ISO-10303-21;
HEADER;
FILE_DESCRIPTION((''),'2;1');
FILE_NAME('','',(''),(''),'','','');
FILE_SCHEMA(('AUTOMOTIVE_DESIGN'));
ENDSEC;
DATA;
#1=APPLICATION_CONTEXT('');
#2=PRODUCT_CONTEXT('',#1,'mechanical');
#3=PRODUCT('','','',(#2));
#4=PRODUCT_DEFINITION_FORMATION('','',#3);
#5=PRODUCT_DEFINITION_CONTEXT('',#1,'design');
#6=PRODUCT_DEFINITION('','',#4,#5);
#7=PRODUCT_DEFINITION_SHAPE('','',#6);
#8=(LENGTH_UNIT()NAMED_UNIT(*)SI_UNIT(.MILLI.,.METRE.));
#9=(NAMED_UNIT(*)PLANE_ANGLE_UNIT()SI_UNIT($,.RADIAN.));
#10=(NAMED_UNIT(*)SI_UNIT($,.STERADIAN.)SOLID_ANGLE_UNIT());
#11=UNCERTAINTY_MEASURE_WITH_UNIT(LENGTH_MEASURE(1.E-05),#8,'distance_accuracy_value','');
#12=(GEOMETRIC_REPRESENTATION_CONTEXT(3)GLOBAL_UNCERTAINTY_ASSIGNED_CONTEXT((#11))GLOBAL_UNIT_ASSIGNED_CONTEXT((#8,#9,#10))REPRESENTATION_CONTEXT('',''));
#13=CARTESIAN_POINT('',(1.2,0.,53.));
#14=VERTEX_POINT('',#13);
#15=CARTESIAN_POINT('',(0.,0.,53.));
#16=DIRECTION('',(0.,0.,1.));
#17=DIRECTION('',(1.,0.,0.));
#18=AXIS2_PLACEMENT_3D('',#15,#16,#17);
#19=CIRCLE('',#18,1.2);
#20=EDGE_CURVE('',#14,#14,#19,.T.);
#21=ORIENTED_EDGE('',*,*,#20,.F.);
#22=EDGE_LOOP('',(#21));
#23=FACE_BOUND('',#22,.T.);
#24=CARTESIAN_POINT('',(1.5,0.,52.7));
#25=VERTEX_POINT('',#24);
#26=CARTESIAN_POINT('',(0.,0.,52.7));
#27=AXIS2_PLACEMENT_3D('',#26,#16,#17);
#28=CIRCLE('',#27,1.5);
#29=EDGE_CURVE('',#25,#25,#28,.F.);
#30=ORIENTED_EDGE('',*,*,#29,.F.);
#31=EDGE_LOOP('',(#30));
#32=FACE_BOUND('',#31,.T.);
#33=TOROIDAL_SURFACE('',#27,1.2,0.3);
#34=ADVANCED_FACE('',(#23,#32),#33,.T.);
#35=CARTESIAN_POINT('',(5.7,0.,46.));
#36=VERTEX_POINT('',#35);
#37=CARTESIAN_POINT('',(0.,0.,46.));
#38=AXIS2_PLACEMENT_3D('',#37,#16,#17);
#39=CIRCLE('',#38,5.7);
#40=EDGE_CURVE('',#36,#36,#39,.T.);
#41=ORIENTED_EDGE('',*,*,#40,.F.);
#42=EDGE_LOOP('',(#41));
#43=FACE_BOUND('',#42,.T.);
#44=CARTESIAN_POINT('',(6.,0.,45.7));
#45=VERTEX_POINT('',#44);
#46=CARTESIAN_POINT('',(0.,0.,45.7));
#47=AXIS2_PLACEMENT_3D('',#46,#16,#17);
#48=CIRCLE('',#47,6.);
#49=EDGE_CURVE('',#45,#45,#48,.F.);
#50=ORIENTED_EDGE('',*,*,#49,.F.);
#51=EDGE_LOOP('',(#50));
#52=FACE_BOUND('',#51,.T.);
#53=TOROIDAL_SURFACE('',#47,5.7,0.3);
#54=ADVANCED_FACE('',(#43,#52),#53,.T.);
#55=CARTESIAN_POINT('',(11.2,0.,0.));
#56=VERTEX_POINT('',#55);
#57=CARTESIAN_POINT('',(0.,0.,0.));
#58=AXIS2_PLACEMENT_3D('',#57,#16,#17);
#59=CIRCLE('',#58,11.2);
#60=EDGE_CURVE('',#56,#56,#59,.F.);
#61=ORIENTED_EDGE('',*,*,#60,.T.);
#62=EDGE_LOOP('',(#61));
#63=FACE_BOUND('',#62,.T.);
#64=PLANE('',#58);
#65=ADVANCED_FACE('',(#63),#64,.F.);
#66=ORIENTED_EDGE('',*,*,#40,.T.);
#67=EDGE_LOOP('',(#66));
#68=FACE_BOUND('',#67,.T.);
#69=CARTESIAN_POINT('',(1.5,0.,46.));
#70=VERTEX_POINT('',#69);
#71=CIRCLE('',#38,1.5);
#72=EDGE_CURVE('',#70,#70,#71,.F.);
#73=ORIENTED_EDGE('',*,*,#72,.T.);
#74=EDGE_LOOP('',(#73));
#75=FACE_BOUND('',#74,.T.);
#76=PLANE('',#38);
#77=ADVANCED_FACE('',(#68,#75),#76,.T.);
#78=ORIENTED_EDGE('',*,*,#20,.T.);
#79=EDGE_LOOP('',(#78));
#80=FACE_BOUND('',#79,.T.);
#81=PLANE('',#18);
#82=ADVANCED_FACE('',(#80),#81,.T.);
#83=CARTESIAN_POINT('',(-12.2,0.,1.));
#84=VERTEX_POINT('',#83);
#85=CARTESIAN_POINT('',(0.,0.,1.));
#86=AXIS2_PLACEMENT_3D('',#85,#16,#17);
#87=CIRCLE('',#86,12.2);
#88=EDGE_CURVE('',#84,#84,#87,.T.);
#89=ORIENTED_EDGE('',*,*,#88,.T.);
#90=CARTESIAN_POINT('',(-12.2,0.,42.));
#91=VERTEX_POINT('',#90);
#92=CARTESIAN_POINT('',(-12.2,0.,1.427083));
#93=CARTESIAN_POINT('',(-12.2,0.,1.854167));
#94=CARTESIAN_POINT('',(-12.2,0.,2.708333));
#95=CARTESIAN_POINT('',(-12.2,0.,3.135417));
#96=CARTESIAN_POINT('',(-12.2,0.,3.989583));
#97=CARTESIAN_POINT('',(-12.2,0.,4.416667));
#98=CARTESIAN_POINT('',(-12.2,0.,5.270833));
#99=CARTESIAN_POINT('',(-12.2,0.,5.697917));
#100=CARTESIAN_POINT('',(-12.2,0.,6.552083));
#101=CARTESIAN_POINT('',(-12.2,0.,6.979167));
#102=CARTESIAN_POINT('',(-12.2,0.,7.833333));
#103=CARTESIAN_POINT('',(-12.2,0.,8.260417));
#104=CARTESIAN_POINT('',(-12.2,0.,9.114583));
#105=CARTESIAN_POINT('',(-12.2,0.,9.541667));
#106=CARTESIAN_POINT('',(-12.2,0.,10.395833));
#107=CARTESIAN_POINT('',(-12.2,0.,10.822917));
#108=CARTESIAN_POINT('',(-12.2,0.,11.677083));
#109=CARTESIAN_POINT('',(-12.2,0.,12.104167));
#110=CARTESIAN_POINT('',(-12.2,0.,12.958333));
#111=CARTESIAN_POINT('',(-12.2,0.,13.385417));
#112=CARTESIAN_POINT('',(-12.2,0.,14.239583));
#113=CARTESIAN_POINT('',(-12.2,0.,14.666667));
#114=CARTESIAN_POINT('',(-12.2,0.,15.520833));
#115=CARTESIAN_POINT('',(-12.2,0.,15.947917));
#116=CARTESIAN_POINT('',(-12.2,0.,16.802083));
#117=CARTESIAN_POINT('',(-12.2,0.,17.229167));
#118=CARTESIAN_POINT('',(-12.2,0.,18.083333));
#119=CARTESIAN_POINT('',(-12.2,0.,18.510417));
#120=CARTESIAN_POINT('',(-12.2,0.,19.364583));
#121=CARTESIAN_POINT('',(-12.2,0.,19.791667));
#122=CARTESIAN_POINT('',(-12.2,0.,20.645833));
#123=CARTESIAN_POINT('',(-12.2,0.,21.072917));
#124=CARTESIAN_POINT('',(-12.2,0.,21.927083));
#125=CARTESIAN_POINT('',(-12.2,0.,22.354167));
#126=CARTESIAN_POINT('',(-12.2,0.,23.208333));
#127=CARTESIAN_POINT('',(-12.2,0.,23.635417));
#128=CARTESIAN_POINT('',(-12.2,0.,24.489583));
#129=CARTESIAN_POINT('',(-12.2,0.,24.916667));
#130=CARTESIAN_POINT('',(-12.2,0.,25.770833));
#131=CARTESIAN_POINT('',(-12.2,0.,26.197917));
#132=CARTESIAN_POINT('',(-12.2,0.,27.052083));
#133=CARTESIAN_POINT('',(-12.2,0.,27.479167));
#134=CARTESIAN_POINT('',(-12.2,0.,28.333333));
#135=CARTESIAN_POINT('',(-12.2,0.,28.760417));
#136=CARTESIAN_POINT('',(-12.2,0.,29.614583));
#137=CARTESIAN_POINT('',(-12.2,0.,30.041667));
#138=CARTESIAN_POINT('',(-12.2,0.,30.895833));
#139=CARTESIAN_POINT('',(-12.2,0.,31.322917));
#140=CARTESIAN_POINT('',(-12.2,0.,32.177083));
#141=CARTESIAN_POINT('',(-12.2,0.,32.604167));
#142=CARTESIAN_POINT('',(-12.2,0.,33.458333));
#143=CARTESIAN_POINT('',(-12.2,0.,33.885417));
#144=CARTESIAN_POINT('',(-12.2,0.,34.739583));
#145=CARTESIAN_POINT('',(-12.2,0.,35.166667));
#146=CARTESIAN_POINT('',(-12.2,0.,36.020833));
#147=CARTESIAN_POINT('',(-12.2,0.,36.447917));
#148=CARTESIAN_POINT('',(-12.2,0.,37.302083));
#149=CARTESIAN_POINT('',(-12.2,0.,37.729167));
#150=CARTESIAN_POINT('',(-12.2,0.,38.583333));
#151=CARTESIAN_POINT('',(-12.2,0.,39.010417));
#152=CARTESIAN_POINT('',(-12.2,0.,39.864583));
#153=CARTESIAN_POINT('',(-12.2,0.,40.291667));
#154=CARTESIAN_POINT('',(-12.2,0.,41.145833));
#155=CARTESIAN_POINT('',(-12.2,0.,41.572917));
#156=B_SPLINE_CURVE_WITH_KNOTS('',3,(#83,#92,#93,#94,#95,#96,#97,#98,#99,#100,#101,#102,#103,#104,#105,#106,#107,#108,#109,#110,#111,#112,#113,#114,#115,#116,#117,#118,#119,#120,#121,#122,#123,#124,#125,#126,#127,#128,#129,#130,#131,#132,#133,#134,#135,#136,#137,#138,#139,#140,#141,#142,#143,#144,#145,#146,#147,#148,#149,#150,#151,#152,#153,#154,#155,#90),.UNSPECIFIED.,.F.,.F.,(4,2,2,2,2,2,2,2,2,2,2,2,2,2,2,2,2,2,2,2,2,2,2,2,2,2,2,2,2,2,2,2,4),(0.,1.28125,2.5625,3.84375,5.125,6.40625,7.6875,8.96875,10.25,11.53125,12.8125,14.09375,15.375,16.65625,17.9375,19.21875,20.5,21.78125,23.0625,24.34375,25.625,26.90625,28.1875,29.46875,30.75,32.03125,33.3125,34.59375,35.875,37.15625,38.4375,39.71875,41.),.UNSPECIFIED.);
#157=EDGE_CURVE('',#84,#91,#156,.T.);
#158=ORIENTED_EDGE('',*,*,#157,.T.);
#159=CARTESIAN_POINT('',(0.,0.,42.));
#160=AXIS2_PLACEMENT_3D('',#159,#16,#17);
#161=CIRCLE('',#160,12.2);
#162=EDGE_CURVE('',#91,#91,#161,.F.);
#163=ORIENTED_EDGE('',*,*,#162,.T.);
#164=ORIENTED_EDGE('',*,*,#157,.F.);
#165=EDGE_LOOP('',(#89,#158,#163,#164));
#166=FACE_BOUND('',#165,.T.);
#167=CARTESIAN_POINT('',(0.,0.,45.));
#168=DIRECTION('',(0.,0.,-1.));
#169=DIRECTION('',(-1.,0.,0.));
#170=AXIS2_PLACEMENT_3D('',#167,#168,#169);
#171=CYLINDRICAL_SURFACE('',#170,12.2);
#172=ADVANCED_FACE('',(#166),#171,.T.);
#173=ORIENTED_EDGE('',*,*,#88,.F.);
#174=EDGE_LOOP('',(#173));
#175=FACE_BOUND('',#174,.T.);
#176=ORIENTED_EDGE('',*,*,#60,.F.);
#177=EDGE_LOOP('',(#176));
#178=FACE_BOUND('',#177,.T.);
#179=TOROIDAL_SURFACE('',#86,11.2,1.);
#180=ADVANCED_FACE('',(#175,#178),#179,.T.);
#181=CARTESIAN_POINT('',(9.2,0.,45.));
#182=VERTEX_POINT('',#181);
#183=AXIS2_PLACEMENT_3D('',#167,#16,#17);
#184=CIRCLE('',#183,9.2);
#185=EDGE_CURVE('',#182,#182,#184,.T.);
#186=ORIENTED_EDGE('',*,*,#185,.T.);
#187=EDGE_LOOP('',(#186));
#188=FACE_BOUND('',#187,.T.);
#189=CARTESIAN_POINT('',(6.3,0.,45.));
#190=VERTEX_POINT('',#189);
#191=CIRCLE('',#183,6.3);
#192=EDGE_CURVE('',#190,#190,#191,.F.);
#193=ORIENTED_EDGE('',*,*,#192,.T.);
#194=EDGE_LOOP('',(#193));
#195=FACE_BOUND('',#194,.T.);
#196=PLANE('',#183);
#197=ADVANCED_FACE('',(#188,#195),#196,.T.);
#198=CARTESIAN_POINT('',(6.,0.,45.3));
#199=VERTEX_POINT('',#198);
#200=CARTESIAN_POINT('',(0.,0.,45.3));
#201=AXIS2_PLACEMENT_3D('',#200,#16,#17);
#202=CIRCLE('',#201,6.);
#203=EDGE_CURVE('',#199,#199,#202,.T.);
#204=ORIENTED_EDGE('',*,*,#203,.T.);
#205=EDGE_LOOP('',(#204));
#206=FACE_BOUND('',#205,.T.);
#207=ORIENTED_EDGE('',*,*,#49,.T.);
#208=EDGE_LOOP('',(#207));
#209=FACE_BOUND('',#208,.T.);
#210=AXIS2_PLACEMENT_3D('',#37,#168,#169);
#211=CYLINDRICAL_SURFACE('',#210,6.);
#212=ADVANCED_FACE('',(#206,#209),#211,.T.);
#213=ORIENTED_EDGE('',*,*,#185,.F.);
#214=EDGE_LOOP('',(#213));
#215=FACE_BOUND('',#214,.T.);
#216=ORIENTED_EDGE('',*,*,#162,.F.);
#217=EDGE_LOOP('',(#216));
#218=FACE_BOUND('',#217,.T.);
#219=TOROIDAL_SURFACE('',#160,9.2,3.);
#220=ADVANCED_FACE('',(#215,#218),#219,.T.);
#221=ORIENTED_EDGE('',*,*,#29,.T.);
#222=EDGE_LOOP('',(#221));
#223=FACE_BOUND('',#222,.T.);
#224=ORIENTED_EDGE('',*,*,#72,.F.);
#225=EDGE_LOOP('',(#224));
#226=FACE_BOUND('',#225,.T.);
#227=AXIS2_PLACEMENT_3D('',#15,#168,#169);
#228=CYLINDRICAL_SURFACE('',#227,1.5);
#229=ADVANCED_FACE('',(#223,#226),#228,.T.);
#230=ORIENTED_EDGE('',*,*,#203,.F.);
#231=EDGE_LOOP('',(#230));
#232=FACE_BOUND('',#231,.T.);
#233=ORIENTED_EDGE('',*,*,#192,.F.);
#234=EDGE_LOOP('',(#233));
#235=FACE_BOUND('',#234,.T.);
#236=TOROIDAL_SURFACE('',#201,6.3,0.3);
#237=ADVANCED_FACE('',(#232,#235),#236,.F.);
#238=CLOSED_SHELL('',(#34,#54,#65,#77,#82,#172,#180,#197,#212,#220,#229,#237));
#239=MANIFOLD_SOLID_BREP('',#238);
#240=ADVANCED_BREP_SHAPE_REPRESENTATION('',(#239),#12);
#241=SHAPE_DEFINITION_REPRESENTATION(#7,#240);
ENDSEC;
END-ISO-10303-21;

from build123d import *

# Parameters (mm, degrees)
SKETCH1_R           = 12.2
BOSS_EXTRUDE1_DEPTH = 45
SKETCH2_R           = 6
BOSS_EXTRUDE2_DEPTH = 1
SKETCH3_R           = 1.5
BOSS_EXTRUDE3_DEPTH = 8
FILLET1_R           = 3
FILLET2_R           = 1
FILLET3_R           = 0.3
FILLET4_R           = 0.3


with BuildPart() as part:
    # Sketch1 → Boss-Extrude1 (new body)
    with BuildSketch(Plane.XY):
        with Locations(Location((0, 0, 0), (0, 0, 180))):
            Circle(SKETCH1_R)
    extrude(amount=BOSS_EXTRUDE1_DEPTH)

    # Sketch2 → Boss-Extrude2 (add)
    with BuildSketch(Plane.XY.offset(45)):
        Circle(SKETCH2_R)
    extrude(amount=BOSS_EXTRUDE2_DEPTH)

    # Sketch3 → Boss-Extrude3 (add)
    with BuildSketch(Plane.XY.offset(45)):
        Circle(SKETCH3_R)
    extrude(amount=BOSS_EXTRUDE3_DEPTH)

    # Fillet1
    fillet1_edges = [part.edges().sort_by_distance(p)[0] for p in [
        (12.2, 0, 45),
    ]]
    fillet(fillet1_edges, radius=FILLET1_R)

    # Fillet2
    fillet2_edges = [part.edges().sort_by_distance(p)[0] for p in [
        (12.2, 0, 0),
    ]]
    fillet(fillet2_edges, radius=FILLET2_R)

    # Fillet3
    fillet3_edges = [part.edges().sort_by_distance(p)[0] for p in [
        (-6, 0, 45),
        (-6, 0, 46),
    ]]
    fillet(fillet3_edges, radius=FILLET3_R)

    # Fillet4
    fillet4_edges = [part.edges().sort_by_distance(p)[0] for p in [
        (-1.5, 0, 53),
    ]]
    fillet(fillet4_edges, radius=FILLET4_R)


solid = part.part
